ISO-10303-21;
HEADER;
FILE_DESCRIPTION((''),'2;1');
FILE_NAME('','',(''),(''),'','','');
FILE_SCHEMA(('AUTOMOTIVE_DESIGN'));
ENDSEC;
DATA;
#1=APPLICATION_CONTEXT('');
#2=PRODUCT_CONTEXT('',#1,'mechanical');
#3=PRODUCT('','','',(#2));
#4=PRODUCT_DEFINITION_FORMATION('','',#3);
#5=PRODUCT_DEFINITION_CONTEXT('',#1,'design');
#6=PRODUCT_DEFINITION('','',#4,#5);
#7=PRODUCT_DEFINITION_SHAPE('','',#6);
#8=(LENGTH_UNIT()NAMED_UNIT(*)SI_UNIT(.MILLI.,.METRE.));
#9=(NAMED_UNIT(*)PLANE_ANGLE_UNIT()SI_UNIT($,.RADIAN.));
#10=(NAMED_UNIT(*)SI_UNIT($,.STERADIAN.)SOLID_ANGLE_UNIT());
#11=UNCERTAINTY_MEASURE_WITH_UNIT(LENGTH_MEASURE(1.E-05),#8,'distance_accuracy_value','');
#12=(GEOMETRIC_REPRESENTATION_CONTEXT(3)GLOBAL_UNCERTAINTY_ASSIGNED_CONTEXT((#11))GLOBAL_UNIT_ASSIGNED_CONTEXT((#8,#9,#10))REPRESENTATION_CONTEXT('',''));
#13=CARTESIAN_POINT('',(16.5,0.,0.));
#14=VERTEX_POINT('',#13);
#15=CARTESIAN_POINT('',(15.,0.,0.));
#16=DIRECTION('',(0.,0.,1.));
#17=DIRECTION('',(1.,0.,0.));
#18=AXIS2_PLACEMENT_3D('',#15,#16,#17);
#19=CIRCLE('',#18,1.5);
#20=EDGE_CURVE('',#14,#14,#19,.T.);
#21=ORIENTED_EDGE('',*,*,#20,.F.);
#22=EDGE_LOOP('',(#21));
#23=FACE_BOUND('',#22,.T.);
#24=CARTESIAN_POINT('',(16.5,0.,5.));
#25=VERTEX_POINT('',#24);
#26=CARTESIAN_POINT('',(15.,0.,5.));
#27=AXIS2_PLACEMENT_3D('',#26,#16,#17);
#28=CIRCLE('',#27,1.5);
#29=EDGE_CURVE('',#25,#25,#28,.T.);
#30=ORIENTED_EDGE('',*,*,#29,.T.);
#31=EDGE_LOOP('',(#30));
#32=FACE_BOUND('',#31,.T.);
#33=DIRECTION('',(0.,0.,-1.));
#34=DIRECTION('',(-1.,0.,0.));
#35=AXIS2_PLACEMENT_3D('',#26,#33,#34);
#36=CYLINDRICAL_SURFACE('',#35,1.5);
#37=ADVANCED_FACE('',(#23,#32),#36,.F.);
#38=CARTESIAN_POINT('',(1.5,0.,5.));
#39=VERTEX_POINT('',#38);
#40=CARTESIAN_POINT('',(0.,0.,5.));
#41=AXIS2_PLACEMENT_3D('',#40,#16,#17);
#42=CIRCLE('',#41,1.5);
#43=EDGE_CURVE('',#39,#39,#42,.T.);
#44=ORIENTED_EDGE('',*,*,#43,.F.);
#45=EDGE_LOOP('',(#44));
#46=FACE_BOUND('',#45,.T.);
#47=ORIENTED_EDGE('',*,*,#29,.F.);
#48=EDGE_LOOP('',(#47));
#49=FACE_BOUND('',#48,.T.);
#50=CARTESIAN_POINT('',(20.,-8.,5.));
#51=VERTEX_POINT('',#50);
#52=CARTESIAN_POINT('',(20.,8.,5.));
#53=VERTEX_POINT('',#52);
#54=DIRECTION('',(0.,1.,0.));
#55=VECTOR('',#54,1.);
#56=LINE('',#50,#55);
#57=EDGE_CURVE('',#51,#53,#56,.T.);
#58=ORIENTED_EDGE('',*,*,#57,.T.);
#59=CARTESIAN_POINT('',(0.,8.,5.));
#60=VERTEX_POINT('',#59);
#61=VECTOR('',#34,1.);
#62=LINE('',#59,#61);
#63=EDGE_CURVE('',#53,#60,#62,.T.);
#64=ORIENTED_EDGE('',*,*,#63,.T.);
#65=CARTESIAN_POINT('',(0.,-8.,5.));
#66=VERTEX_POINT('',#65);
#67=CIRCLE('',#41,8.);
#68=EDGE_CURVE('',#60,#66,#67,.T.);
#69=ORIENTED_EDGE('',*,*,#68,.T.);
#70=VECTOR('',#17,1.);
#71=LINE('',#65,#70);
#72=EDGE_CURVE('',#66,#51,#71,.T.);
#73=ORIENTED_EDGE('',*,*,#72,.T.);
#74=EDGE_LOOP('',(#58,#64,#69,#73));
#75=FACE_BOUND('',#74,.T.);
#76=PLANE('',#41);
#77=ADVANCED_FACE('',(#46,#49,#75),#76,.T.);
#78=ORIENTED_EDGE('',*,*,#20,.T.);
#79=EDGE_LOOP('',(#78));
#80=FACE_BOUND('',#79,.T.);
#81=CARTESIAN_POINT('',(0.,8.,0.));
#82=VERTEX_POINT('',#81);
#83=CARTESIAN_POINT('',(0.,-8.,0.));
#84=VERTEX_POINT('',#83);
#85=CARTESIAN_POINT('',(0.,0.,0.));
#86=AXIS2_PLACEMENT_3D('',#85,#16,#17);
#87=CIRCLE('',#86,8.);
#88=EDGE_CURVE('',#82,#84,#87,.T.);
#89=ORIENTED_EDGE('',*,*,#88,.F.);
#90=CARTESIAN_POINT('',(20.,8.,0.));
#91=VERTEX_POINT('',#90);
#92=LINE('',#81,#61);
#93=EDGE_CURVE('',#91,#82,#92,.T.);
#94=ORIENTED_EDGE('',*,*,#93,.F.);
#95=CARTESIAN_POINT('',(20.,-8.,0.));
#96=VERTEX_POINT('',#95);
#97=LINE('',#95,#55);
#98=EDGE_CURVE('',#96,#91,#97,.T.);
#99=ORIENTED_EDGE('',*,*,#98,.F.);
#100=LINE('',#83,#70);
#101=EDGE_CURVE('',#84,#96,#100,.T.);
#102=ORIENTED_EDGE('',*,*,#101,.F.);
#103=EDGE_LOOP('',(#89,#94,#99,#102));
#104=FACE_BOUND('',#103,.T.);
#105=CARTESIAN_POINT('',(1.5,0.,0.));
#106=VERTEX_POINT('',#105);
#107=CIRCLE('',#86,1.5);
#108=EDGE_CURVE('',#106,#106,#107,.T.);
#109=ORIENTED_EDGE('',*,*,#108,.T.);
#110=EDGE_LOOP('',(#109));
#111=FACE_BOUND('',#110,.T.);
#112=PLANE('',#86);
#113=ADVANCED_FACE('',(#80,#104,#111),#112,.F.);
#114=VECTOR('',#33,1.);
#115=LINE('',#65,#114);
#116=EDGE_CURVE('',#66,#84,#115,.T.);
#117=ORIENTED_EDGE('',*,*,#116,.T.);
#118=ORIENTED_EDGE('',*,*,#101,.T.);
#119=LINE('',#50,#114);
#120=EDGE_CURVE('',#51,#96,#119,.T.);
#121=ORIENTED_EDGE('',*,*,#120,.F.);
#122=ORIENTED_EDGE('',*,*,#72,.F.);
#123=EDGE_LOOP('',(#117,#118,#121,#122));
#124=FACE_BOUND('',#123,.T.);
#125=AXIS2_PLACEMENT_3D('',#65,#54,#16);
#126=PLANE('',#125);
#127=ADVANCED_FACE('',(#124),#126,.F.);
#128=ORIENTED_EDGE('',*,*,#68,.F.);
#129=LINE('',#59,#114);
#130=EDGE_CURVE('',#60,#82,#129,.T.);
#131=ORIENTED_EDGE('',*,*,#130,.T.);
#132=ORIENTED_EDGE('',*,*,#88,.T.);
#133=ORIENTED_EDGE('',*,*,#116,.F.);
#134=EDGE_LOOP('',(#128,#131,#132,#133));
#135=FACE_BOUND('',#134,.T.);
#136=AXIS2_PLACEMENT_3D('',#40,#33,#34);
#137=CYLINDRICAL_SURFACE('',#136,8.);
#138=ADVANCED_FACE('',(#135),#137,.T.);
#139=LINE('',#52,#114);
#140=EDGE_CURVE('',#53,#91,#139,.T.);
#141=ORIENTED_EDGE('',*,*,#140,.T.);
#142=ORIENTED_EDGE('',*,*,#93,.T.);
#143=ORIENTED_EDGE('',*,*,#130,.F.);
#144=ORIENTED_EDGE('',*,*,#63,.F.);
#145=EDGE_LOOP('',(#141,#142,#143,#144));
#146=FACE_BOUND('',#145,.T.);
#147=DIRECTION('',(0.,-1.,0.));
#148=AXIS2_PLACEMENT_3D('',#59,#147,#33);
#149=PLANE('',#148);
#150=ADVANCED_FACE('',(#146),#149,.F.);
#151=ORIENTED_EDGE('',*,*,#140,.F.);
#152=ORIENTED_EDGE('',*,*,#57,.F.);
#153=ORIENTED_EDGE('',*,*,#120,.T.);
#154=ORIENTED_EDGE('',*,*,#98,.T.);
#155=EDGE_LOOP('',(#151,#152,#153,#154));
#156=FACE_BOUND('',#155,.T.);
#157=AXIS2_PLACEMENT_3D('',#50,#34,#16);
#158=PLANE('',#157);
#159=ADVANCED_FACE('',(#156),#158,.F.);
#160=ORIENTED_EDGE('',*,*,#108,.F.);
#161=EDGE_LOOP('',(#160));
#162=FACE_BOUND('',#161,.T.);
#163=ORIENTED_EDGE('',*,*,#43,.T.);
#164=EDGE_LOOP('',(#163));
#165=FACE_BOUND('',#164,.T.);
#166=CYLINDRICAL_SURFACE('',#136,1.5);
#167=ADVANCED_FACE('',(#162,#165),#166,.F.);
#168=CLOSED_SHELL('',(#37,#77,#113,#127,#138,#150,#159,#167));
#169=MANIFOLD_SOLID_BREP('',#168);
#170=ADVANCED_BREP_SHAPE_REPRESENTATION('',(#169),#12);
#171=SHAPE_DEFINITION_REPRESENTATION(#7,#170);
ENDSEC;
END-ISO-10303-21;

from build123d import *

# Parameters (mm, degrees)
ESQUISSE1_R        = 1.5
BOSS_EXTRU_1_DEPTH = 5


with BuildPart() as part:
    # Esquisse1 → Boss.-Extru.1 (new body)
    with BuildSketch(Plane.XY):
        with BuildLine():
            Line((0, 8), (20, 8))
            Line((20, 8), (20, -8))
            Line((20, -8), (0, -8))
            ThreePointArc((0, -8), (-8, 0), (0, 8))
        make_face()
        Circle(ESQUISSE1_R, mode=Mode.SUBTRACT)
        with Locations((15, 0)):
            Circle(ESQUISSE1_R, mode=Mode.SUBTRACT)
    extrude(amount=BOSS_EXTRU_1_DEPTH)


solid = part.part
